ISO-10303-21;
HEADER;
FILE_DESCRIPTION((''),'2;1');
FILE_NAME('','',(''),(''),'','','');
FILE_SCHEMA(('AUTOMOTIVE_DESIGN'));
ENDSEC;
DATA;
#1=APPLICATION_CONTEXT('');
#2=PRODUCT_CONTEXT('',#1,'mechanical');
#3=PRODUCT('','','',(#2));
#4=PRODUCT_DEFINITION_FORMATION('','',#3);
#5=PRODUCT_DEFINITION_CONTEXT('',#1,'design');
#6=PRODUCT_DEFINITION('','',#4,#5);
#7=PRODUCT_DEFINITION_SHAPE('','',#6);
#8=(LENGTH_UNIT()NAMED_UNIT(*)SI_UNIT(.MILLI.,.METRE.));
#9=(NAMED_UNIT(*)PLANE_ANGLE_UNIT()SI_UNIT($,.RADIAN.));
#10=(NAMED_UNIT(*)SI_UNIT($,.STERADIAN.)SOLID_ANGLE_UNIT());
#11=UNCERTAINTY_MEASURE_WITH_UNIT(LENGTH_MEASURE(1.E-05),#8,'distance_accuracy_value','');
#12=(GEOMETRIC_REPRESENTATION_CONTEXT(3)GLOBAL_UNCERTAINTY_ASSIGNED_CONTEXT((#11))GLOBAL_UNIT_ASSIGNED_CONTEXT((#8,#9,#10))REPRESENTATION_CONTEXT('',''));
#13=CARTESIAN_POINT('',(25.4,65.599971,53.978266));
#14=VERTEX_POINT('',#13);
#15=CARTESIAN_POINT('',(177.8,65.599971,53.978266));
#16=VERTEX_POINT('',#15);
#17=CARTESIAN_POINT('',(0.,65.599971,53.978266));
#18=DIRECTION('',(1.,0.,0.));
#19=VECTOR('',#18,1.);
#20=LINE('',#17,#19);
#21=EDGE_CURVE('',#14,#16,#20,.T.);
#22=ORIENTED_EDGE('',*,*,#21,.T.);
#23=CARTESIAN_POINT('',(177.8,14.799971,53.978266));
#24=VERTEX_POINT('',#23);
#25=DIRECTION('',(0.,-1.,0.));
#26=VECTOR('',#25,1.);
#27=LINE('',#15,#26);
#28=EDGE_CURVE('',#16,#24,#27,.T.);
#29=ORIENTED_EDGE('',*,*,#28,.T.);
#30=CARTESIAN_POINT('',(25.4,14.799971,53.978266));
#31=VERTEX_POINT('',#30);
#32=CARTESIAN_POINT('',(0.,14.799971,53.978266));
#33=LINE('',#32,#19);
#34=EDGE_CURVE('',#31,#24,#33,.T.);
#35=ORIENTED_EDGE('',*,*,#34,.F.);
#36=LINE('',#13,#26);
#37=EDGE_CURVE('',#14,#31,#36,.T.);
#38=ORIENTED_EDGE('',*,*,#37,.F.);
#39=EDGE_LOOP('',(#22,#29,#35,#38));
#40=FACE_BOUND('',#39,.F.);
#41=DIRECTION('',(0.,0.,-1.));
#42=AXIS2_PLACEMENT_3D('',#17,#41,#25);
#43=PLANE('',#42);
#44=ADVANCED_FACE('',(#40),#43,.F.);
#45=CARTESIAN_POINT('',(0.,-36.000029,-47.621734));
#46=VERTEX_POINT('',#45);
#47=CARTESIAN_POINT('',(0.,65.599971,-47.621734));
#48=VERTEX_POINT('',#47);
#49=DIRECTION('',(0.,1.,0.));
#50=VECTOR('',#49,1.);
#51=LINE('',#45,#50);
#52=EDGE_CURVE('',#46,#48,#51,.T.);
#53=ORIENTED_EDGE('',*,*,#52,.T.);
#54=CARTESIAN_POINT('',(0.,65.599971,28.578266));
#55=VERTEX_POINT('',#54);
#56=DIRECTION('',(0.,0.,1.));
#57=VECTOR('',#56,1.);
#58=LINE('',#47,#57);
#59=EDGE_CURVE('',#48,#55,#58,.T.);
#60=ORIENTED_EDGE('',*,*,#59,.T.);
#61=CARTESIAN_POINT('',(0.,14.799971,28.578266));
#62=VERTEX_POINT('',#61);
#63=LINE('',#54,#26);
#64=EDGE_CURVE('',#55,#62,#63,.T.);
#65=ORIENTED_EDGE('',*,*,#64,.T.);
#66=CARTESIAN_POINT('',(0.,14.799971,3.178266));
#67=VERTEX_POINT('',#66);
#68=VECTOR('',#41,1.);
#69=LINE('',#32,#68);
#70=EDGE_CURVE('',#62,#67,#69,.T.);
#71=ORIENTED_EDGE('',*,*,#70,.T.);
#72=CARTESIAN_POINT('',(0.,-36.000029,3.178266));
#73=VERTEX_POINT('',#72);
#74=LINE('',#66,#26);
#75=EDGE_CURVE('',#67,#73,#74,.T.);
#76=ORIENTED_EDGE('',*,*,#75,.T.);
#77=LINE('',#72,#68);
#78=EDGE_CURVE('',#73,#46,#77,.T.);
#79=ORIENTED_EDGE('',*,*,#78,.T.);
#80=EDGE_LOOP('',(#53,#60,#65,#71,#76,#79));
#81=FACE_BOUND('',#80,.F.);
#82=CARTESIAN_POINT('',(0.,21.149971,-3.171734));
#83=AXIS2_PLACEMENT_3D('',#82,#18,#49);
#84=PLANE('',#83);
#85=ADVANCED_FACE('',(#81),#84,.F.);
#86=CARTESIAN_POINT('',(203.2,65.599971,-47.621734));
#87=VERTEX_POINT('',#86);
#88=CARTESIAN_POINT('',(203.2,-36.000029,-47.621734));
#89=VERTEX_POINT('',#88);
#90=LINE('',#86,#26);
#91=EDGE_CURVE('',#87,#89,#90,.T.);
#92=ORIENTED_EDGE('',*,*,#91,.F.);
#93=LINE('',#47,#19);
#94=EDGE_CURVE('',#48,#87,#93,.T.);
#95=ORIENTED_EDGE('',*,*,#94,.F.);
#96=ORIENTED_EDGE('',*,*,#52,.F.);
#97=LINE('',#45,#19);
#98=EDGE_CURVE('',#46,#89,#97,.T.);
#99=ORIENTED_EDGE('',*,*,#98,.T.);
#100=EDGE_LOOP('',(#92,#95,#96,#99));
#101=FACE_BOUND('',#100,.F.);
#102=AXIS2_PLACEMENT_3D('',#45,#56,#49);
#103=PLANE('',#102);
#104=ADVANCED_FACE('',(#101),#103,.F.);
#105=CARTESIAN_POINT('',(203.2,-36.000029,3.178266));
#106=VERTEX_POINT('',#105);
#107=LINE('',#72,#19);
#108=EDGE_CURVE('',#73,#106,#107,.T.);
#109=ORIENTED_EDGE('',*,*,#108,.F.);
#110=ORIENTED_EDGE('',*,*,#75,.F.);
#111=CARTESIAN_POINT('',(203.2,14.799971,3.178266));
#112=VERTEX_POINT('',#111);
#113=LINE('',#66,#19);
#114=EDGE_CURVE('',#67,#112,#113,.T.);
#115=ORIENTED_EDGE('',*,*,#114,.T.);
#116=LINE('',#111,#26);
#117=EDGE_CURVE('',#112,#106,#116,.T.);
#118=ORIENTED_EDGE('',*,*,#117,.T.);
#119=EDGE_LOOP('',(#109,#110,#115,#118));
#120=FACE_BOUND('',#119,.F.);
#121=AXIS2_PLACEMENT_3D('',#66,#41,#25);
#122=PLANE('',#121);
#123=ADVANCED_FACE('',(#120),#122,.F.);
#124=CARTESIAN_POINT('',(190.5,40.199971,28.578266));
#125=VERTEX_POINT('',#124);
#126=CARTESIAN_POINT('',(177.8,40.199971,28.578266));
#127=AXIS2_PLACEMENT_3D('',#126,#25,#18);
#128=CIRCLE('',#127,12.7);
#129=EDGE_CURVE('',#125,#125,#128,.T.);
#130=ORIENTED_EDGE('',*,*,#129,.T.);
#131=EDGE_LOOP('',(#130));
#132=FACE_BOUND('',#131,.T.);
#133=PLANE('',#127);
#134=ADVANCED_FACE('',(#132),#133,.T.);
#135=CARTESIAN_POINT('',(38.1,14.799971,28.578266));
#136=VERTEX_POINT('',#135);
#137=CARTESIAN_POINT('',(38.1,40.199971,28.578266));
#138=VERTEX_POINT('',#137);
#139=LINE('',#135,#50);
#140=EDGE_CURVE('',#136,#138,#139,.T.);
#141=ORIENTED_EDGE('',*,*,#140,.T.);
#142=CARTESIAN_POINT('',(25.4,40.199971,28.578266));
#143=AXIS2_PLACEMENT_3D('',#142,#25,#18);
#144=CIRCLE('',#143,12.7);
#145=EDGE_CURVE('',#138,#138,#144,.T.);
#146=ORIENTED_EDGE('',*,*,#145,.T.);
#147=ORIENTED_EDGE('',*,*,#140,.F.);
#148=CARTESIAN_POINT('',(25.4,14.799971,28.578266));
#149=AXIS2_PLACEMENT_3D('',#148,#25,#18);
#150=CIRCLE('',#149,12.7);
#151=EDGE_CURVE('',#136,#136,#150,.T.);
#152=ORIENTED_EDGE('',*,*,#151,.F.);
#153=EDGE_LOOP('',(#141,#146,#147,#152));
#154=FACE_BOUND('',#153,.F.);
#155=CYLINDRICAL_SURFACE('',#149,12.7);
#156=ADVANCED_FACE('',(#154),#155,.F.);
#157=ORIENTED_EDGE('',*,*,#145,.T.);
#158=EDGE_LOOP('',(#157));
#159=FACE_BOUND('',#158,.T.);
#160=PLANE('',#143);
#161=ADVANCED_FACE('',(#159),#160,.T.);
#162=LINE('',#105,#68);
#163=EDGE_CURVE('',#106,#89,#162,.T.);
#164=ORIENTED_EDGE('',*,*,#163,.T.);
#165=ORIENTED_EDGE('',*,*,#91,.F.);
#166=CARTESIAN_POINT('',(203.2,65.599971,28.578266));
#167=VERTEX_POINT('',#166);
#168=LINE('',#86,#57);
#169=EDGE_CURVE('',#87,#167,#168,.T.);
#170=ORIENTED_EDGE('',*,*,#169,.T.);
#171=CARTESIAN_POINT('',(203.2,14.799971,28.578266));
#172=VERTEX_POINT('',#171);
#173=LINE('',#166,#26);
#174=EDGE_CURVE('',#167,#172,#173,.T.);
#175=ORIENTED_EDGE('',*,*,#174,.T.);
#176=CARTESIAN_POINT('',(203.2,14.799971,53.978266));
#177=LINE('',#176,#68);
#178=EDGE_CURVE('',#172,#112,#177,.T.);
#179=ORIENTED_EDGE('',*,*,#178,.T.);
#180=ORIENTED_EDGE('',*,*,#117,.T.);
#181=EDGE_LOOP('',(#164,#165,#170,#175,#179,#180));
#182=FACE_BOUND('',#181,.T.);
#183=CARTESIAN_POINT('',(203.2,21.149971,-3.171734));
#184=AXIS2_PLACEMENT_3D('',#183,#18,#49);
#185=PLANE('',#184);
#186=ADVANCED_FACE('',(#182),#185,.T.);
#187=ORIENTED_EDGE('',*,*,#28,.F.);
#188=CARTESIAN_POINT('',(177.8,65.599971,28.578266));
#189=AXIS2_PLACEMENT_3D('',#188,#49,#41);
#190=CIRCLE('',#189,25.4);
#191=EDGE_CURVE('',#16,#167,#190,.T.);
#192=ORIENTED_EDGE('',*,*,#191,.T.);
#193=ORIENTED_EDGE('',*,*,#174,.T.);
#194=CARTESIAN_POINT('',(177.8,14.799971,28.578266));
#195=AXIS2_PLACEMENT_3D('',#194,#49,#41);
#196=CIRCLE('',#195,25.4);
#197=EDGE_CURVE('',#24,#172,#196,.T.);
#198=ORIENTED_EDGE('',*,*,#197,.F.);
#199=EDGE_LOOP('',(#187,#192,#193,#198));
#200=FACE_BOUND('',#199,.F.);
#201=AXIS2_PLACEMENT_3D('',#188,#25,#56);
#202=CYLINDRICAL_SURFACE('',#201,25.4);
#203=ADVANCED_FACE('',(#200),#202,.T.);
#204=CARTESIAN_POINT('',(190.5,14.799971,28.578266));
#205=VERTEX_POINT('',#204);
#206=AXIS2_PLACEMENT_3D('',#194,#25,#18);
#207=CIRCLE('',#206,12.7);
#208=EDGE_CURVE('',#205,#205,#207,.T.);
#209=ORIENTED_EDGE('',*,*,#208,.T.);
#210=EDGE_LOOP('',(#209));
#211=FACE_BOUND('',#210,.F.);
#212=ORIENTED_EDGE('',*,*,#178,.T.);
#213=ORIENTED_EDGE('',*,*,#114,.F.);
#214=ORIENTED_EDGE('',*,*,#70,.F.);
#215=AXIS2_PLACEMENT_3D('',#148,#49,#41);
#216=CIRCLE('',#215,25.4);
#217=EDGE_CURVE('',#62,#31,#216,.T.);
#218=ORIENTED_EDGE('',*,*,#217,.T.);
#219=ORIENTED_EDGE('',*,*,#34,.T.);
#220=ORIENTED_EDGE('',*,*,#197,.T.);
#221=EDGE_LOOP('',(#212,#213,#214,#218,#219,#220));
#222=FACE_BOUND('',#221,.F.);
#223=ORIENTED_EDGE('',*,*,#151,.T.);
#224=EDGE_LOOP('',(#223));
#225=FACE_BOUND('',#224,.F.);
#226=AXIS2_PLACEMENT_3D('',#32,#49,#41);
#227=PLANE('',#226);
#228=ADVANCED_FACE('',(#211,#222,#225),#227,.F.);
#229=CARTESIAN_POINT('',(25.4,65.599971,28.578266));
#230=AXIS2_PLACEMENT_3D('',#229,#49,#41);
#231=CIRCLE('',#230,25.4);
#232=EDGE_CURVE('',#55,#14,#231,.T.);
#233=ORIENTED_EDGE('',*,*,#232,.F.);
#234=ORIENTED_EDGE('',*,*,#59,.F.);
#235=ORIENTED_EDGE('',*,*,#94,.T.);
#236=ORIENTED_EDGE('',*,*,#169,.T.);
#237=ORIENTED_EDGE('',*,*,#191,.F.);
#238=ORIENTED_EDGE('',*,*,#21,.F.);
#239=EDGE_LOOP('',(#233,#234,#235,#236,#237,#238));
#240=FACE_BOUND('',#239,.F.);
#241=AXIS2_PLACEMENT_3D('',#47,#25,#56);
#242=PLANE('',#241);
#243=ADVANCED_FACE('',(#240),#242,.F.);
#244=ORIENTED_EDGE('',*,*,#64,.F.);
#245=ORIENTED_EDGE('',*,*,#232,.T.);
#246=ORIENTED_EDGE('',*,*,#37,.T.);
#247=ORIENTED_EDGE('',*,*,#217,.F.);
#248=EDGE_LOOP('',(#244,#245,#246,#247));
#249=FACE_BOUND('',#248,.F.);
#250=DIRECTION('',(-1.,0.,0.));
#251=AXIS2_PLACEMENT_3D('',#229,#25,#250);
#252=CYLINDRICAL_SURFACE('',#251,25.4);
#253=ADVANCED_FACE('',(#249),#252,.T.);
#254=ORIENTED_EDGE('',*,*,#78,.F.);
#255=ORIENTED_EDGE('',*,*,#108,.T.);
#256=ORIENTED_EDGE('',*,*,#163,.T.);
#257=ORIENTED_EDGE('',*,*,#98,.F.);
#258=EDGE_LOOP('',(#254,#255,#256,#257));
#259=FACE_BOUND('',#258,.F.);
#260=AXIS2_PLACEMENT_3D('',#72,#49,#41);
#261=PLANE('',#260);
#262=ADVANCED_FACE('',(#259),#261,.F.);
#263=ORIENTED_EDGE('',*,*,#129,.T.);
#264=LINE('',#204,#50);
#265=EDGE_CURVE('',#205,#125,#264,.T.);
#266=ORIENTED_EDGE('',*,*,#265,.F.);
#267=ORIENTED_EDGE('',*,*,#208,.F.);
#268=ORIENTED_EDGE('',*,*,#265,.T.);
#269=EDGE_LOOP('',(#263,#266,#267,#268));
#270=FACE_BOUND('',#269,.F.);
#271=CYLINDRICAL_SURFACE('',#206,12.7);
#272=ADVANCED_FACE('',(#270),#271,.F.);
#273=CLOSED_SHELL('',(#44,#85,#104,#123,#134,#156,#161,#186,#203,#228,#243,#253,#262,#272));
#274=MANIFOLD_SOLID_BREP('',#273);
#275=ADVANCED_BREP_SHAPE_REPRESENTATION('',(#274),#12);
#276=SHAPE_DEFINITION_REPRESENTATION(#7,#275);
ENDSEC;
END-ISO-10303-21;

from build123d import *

# Parameters (mm, degrees)
F1_DEPTH = 203.2
F2_W     = 76.2
F2_H     = 50.8
F3_DEPTH = 50.8
F4_R     = 25.4
F5_R     = 12.7
F6_DEPTH = 25.4


with BuildPart() as f1:
    # F0 (on Right) → F1 (new body)
    with BuildSketch(Plane.YZ):
        Polygon((14.799971, 3.178266), (-36.000029, 3.178266), (-36.000029, -47.621734), (65.599971, -47.621734), (65.599971, 3.178266), (65.599971, 53.978266), (14.799971, 53.978266), align=None)
    extrude(amount=F1_DEPTH)

    # F2 (on face) → F3 (cut)
    with BuildSketch(Plane(origin=(0, 0, -47.621734), x_dir=(1, 0, 0), z_dir=(0, 0, -1))):
        with Locations((38.1, 61.400029)):
            Rectangle(F2_W, F2_H)
        with Locations((241.3, 10.600029)):
            Rectangle(F2_W, F2_H)
    extrude(amount=-F3_DEPTH, mode=Mode.SUBTRACT)

    # F4
    f4_edges = [f1.edges().sort_by_distance(p)[0] for p in [
        (0, 40.199971, 53.978266),
        (203.2, 40.199971, 53.978266),
    ]]
    fillet(f4_edges, radius=F4_R)

    # F5 (on face) → F6 (cut)
    with BuildSketch(Plane.XZ.offset(-14.799971)):
        with Locations((25.4, 28.578266)):
            Circle(F5_R)
        with Locations((177.8, 28.578266)):
            Circle(F5_R)
    extrude(amount=-F6_DEPTH, mode=Mode.SUBTRACT)


solid = f1.part
